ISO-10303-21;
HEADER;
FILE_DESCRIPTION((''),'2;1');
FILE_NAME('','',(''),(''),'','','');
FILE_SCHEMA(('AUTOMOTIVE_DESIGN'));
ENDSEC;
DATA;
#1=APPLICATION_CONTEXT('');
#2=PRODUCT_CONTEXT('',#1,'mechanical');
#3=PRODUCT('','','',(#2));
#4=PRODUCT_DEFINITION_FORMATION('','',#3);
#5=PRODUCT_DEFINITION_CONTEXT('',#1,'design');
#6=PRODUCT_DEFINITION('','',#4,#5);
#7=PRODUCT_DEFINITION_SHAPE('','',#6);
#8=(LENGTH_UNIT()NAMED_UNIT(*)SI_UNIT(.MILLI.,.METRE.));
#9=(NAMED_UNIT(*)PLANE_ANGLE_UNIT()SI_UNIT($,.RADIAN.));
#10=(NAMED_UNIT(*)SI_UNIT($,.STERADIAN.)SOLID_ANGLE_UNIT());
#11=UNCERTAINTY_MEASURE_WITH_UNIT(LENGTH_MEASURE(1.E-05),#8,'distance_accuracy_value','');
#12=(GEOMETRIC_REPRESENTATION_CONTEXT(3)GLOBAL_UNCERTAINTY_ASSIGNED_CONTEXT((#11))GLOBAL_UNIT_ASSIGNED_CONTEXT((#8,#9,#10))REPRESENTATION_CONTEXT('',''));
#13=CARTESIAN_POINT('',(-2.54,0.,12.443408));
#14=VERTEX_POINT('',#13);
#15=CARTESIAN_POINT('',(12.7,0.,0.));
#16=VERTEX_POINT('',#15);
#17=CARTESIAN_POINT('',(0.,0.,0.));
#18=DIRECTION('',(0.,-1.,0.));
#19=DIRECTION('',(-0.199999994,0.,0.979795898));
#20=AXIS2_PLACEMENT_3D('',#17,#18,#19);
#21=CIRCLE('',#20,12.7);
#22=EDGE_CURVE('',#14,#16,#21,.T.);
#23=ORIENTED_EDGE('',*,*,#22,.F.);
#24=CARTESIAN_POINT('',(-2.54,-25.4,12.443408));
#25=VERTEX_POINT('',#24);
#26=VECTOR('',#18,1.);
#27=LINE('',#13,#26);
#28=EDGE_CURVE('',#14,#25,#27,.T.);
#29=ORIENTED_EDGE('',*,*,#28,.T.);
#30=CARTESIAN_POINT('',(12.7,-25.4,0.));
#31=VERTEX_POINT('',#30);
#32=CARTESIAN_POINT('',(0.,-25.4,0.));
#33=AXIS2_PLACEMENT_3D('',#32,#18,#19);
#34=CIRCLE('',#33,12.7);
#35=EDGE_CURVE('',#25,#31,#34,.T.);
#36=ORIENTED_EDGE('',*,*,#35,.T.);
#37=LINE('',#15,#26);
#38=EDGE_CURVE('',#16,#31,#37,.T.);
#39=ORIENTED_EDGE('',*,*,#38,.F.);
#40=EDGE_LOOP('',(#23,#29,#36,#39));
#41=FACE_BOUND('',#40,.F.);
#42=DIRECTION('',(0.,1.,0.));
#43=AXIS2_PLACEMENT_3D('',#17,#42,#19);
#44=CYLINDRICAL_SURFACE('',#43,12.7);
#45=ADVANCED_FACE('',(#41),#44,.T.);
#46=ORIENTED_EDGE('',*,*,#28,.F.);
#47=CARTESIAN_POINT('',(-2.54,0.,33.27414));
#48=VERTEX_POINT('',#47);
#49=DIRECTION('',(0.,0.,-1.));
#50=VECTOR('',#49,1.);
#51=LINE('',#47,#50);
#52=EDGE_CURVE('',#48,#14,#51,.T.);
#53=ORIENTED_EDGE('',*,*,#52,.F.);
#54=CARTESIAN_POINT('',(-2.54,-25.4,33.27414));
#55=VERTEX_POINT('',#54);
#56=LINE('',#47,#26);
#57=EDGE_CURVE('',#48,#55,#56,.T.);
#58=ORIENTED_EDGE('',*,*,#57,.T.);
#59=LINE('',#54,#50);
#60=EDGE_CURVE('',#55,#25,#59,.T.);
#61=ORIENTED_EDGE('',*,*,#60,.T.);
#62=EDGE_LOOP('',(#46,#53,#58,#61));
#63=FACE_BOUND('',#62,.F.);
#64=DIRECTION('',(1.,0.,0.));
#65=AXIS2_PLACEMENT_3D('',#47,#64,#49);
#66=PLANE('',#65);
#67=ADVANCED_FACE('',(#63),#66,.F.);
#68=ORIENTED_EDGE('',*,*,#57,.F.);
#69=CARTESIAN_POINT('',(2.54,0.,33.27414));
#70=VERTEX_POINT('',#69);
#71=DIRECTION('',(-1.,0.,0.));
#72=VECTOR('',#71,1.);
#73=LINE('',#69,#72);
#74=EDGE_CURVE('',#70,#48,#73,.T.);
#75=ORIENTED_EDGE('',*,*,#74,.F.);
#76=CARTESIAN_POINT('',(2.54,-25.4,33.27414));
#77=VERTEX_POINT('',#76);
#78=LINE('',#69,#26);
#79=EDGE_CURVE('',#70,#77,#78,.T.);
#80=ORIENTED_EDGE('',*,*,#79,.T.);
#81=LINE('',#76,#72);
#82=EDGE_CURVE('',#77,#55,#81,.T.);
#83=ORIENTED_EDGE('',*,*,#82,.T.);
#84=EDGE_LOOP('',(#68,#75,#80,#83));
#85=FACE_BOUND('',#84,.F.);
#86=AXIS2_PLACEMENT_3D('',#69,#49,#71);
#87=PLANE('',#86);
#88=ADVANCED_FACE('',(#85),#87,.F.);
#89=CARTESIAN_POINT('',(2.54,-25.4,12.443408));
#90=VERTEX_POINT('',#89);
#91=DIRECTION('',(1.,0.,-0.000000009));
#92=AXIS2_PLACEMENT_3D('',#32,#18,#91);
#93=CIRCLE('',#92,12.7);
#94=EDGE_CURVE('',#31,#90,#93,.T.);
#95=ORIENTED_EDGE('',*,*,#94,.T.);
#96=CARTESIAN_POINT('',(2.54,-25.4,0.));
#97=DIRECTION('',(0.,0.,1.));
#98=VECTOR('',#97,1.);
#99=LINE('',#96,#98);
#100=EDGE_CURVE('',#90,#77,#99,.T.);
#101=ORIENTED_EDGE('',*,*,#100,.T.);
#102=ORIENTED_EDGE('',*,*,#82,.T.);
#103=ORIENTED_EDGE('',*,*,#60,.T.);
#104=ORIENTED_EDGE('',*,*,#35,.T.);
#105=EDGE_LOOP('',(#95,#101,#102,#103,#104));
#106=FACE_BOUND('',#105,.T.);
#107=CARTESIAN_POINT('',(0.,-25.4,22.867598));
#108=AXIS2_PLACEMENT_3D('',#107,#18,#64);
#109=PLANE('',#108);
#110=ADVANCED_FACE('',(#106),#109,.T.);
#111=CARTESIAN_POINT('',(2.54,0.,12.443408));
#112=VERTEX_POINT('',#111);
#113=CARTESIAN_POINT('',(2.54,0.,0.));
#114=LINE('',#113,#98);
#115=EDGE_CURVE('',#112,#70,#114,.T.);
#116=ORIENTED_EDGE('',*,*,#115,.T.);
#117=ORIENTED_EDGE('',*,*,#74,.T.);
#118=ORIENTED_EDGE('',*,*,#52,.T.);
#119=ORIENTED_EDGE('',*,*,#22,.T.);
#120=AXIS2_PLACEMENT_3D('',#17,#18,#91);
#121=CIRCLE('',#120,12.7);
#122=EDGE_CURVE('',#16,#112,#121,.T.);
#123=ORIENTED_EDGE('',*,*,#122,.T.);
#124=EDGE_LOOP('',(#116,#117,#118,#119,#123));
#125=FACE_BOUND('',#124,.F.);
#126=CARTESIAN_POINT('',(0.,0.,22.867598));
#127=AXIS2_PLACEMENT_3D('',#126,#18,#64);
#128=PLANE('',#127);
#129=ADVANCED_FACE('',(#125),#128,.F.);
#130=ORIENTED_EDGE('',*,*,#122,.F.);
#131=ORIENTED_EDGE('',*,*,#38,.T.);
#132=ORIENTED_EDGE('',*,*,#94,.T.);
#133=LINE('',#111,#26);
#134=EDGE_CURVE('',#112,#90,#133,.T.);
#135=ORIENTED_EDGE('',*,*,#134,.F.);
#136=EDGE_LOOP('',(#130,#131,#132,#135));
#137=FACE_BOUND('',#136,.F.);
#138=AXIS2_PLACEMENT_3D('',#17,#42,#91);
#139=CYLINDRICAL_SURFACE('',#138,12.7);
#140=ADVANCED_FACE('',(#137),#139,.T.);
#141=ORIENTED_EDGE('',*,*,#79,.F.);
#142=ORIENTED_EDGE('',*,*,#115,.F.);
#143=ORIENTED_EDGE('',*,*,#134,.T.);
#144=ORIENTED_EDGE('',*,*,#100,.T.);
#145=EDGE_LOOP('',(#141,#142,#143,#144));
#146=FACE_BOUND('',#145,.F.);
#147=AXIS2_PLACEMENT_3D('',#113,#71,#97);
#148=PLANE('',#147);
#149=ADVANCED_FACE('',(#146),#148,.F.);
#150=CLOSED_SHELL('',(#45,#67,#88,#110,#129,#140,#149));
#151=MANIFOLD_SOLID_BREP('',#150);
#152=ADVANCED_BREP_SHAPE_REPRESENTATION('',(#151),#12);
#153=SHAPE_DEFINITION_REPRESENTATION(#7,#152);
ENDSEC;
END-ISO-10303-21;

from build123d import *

# Parameters (mm, degrees)
F1_DEPTH = 25.4
F2_DEPTH = 25.4


with BuildPart() as f1:
    # F0 (on Front) → F1 (new body)
    with BuildSketch(Plane.XZ):
        with BuildLine():
            ThreePointArc((-2.54, 12.443408), (-8.032185, -9.837378), (12.7, 0))
            ThreePointArc((12.7, 0), (9.837378, 8.032185), (2.54, 12.443408))
            Line((2.54, 12.443408), (2.54, 0))
            Line((2.54, 0), (-2.54, 0))
            Line((-2.54, 0), (-2.54, 12.443408))
        make_face()
    extrude(amount=F1_DEPTH)

    # F0 (on Front) → F2 (join, through all)
    with BuildSketch(Plane.XZ):
        with BuildLine():
            ThreePointArc((-2.54, 12.443408), (0, 12.7), (2.54, 12.443408))
            Line((2.54, 12.443408), (2.54, 33.27414))
            Line((2.54, 33.27414), (-2.54, 33.27414))
            Line((-2.54, 33.27414), (-2.54, 12.443408))
        make_face()
        with BuildLine():
            Line((2.54, 0), (2.54, 12.443408))
            ThreePointArc((2.54, 12.443408), (0, 12.7), (-2.54, 12.443408))
            Line((-2.54, 12.443408), (-2.54, 0))
            Line((-2.54, 0), (2.54, 0))
        make_face()
    extrude(amount=F2_DEPTH)


solid = f1.part
